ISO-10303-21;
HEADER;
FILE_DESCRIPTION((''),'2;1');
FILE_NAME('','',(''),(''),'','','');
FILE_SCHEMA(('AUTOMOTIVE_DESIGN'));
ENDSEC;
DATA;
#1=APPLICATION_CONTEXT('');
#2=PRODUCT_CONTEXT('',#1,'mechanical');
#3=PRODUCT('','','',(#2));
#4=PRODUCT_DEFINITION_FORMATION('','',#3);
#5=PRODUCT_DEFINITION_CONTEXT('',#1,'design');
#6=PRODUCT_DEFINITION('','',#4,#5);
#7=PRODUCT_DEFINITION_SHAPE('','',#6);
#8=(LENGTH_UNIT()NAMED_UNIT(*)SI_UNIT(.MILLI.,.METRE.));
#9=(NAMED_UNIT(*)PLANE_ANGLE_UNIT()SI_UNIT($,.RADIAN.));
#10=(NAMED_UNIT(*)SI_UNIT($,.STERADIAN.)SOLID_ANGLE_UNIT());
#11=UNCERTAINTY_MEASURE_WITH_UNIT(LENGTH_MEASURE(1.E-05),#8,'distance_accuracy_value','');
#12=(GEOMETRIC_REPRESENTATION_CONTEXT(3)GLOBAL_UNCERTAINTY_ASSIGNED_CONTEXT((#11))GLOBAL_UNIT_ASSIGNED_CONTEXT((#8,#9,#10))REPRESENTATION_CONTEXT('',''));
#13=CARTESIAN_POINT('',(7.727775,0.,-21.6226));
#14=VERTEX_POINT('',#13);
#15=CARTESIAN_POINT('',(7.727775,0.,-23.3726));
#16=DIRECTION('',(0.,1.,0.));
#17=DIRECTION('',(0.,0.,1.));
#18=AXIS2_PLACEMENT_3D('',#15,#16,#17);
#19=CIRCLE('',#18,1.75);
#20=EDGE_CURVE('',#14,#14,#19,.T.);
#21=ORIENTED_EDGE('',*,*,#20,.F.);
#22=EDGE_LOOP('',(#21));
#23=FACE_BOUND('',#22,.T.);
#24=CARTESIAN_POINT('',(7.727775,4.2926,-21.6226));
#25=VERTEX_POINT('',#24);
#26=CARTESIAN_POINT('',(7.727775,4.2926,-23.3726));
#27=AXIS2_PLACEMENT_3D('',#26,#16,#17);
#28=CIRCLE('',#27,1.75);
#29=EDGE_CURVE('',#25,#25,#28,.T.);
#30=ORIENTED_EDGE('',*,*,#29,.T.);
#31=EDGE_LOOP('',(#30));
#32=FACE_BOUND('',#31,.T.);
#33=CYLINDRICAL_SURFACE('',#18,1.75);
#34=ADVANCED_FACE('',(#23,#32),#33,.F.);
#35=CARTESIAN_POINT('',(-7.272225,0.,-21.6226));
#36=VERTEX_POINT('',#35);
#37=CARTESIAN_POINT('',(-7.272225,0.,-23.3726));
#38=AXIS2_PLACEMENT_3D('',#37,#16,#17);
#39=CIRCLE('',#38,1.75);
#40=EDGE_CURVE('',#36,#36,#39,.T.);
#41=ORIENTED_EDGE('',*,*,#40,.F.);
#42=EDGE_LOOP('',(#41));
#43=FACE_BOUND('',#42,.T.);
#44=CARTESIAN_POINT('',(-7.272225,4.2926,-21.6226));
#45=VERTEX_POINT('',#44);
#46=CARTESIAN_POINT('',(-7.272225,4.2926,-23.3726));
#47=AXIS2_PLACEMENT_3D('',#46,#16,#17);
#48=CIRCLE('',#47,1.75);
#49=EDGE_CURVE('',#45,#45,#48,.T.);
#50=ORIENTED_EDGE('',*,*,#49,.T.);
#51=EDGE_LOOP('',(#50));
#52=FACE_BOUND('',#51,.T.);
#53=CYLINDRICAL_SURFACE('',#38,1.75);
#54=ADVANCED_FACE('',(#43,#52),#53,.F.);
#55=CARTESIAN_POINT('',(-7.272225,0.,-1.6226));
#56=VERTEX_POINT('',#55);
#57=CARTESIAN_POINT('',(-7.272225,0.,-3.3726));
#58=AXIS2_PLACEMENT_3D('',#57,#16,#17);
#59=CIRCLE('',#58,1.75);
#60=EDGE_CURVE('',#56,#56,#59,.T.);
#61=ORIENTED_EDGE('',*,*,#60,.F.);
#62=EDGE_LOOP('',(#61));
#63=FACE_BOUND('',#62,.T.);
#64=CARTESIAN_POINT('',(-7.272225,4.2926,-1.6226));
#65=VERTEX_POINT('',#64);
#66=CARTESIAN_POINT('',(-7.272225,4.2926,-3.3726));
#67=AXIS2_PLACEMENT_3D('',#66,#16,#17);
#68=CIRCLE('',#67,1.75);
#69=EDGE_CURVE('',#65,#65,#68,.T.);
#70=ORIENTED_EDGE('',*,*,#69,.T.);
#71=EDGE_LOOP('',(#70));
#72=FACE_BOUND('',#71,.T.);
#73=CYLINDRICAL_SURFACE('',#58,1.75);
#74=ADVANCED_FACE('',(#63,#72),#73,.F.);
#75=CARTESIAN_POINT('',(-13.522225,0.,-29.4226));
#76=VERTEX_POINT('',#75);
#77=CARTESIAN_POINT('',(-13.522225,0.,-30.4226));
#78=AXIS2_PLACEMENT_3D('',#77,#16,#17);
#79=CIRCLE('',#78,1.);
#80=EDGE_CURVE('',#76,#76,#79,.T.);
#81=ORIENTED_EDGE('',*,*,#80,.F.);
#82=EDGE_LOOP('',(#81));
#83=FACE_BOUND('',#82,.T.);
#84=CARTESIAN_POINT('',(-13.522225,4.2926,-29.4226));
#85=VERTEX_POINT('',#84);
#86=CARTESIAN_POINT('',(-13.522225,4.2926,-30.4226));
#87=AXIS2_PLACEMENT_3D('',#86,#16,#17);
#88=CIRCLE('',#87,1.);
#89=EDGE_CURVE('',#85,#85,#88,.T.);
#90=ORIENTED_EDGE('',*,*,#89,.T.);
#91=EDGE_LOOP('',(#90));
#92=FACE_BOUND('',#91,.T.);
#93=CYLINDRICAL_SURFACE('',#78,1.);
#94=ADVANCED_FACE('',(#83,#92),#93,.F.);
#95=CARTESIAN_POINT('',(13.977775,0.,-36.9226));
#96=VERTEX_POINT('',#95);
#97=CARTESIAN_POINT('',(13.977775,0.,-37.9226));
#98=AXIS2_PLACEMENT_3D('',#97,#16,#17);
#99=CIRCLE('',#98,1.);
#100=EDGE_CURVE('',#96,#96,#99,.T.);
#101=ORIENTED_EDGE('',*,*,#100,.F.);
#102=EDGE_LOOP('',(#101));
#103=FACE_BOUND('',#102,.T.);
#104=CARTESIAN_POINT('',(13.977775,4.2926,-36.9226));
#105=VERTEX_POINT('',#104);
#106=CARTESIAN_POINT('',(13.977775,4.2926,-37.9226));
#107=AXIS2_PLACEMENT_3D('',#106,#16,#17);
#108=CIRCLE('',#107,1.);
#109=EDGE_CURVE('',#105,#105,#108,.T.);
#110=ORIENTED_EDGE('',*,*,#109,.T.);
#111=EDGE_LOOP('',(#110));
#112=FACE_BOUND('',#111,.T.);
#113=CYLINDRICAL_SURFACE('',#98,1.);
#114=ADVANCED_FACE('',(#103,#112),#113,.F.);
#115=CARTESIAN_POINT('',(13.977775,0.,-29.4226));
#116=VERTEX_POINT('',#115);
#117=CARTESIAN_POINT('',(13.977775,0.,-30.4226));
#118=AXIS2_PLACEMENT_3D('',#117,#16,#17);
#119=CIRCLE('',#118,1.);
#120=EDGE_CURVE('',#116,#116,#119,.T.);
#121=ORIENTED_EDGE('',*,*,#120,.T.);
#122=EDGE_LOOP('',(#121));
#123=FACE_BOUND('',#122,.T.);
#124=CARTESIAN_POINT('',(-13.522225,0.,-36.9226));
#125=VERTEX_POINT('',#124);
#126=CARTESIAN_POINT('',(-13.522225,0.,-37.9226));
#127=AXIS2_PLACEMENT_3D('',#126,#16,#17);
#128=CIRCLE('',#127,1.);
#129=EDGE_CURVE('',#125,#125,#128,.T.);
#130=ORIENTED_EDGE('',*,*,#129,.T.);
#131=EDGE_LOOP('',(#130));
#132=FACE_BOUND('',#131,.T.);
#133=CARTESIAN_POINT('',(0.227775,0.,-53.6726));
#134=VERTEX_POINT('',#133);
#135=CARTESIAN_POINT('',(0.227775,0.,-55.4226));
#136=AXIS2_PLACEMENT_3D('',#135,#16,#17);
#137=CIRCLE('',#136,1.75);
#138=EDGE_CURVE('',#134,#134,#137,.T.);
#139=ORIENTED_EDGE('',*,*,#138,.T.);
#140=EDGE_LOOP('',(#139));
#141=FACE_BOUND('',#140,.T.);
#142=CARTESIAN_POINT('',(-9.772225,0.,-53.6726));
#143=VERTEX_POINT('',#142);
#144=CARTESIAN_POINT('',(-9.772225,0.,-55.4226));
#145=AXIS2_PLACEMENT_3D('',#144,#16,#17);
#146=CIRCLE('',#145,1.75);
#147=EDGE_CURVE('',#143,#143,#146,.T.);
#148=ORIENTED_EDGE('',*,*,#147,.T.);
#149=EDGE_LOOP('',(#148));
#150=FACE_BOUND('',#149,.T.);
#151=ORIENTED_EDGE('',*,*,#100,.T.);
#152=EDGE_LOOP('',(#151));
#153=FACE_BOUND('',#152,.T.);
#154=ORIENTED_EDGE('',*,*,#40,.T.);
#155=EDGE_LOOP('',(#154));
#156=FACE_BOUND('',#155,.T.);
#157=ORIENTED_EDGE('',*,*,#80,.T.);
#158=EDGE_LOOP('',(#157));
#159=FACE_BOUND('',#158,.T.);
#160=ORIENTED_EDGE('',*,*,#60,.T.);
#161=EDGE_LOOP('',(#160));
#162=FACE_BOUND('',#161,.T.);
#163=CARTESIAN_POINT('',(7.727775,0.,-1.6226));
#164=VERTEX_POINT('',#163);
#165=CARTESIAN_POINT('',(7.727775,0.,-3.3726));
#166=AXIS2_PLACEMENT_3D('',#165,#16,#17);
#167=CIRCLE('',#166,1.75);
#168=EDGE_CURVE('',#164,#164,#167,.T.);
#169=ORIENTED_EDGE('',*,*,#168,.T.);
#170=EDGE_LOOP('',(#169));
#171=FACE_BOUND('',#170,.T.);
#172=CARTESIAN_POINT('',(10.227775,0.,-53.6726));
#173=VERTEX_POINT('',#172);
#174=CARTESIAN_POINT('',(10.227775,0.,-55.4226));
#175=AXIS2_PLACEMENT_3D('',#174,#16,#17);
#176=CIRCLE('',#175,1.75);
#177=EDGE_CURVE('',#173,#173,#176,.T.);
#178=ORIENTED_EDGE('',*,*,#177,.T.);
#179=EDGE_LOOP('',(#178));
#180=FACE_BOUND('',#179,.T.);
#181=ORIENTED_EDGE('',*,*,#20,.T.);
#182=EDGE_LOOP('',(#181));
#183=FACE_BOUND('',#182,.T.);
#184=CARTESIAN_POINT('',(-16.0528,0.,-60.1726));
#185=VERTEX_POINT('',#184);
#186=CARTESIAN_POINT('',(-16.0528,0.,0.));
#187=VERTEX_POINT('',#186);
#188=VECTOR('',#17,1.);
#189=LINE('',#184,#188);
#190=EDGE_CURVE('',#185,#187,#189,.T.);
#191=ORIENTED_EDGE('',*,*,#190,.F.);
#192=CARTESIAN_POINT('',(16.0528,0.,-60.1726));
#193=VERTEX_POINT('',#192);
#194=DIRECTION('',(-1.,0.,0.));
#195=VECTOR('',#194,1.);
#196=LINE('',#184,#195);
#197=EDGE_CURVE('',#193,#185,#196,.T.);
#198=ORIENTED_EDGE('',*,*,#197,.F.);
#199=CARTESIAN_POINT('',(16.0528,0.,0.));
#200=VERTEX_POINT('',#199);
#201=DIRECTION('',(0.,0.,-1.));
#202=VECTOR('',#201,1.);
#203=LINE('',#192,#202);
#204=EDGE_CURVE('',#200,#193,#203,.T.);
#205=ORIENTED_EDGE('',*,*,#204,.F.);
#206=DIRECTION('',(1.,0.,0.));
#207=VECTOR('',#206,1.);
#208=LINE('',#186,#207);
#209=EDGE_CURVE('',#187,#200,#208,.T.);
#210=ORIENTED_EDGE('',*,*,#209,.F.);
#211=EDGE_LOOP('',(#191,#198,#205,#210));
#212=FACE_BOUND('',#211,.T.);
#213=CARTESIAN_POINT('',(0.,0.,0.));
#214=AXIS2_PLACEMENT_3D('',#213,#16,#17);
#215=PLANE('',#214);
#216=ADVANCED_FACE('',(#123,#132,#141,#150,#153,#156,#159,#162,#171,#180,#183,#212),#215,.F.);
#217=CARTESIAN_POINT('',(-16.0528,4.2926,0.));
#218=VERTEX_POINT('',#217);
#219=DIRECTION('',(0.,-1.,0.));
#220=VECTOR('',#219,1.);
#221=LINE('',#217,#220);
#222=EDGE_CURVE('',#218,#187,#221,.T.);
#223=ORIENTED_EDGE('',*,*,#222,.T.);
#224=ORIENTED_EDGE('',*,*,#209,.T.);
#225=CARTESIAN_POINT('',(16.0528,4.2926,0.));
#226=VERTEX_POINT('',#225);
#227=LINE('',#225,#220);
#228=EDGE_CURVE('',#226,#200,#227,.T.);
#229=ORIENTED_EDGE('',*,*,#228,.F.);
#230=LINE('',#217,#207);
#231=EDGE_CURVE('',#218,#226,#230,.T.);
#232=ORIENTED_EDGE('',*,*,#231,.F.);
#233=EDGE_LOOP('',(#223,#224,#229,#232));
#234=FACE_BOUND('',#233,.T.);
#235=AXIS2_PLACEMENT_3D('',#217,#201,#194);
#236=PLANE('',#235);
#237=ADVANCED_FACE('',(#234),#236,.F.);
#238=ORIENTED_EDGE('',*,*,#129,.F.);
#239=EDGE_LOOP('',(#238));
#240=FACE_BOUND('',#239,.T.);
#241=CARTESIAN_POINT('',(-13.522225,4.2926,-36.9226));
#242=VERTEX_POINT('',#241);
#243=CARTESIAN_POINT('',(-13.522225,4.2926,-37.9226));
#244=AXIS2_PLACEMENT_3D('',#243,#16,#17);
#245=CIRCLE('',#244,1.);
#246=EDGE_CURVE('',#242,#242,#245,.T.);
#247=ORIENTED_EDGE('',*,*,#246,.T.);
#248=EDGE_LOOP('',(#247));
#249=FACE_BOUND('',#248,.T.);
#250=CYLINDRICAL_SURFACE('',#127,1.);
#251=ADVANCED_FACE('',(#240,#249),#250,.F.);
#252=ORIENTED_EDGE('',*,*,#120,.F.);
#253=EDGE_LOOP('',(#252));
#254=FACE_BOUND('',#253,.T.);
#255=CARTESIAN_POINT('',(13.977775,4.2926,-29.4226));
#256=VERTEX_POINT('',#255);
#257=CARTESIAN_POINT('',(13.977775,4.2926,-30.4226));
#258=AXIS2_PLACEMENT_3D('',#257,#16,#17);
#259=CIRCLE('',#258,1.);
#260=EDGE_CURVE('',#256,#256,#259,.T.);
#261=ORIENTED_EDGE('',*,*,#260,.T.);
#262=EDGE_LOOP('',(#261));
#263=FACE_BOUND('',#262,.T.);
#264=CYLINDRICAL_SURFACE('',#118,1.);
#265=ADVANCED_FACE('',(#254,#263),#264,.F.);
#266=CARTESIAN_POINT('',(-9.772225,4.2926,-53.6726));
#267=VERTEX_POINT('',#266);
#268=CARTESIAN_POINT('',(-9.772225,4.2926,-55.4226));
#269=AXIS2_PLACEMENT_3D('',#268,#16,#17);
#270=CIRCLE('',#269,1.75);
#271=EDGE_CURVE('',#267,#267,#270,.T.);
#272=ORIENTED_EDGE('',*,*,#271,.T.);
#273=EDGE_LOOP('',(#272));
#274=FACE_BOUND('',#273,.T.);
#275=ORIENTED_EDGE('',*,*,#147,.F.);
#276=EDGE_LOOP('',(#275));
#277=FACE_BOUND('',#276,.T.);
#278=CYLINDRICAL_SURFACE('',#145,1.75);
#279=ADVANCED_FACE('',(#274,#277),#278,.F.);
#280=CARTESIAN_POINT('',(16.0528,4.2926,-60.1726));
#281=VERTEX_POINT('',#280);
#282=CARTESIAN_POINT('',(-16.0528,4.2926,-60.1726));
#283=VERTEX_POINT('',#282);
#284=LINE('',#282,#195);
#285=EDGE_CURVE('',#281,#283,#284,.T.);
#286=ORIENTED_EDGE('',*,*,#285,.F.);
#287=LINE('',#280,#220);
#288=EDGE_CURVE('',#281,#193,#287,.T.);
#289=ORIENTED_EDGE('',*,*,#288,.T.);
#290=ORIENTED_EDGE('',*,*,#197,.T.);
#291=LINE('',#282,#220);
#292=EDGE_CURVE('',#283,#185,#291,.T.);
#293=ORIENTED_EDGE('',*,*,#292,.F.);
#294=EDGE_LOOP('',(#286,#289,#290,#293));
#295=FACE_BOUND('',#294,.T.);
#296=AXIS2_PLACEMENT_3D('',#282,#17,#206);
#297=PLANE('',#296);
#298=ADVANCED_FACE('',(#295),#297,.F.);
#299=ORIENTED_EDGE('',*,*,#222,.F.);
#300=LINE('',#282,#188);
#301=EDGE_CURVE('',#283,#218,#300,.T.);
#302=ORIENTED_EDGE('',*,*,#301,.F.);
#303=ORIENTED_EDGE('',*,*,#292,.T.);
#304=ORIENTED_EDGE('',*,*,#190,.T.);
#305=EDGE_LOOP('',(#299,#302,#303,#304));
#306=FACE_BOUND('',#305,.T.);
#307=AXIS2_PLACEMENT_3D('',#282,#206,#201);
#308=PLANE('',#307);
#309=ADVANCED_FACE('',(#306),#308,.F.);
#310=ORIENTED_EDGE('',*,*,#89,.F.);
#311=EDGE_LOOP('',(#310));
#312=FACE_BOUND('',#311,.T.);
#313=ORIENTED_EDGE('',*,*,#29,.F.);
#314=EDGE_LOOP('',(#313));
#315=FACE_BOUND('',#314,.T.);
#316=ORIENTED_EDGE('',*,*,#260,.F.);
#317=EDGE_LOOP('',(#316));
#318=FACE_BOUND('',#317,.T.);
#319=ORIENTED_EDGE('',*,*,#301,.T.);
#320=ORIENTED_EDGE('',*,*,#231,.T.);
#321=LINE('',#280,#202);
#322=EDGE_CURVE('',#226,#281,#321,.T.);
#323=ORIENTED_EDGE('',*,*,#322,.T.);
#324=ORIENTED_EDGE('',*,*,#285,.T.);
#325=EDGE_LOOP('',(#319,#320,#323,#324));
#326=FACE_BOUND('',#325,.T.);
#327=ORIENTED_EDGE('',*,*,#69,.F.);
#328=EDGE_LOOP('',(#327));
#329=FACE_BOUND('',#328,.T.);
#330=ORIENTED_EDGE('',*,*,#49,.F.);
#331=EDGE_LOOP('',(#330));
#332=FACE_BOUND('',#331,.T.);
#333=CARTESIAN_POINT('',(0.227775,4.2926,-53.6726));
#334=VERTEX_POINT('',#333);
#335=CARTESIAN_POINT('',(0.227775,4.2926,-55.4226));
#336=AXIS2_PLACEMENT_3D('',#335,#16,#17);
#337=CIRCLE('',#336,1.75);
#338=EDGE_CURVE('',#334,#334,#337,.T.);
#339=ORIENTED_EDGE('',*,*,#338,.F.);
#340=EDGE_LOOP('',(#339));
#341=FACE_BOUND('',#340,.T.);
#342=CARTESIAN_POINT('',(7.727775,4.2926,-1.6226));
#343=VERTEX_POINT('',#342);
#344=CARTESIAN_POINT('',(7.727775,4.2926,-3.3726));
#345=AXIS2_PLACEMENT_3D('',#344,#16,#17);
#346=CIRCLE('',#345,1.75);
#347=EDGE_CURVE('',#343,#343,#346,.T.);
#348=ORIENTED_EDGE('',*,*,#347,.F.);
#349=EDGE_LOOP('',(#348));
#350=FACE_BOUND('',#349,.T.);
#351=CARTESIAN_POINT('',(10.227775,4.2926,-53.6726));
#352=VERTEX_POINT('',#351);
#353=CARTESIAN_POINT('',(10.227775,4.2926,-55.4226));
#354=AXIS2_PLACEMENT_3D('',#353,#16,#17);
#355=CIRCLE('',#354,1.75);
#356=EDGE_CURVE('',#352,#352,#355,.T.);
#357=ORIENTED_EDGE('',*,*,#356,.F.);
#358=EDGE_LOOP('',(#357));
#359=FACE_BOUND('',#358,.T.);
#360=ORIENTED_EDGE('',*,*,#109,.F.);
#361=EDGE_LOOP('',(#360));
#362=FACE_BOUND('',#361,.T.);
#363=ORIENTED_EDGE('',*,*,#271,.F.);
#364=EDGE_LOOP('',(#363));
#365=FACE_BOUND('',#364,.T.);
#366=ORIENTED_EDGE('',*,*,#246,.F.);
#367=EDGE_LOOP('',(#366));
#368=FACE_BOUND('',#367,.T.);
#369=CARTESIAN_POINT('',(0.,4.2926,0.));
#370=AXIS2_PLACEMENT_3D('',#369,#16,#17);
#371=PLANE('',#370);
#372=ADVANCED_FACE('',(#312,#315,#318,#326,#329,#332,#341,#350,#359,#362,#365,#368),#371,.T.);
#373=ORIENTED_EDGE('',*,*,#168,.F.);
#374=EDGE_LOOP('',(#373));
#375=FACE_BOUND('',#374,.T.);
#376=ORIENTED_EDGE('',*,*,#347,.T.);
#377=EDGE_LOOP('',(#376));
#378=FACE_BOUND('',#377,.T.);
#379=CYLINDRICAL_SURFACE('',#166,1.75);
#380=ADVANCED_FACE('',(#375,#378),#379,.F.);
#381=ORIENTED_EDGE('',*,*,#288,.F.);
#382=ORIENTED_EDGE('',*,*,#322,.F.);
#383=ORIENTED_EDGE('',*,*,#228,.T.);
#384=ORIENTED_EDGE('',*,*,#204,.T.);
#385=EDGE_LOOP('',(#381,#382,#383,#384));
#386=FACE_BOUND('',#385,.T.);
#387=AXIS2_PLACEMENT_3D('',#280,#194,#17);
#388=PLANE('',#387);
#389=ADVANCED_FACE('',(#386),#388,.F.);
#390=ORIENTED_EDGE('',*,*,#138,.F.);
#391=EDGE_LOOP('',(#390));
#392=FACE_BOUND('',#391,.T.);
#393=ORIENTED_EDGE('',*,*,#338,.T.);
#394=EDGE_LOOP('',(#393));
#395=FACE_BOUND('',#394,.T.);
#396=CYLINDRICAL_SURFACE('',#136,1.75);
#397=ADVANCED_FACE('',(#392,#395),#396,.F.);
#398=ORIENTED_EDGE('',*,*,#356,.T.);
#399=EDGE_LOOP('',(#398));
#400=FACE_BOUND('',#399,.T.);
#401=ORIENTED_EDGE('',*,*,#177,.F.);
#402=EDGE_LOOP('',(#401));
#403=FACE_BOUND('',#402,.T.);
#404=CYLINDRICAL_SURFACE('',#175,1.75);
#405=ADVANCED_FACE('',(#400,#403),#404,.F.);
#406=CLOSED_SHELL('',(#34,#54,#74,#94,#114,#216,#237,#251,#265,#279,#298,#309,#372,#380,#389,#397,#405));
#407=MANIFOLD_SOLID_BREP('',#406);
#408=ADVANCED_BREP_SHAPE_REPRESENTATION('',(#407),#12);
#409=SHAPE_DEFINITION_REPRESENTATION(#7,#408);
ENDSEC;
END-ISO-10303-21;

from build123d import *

# Parameters (mm, degrees)
SKETCH1_W           = 32.1056
SKETCH1_H           = 60.1726
BOSS_EXTRUDE1_DEPTH = 4.2926
SKETCH2_R           = 1.75
SKETCH2_R_2         = 1
CUT_EXTRUDE1_DEPTH  = 5.2926


with BuildPart() as part:
    # Sketch1 → Boss-Extrude1 (new body)
    with BuildSketch(Plane(origin=(0, 0, 0), x_dir=(1, 0, 0), z_dir=(0, 1, 0))):
        with Locations((0, 30.0863)):
            Rectangle(SKETCH1_W, SKETCH1_H)
    extrude(amount=BOSS_EXTRUDE1_DEPTH)

    # Sketch2 → Cut-Extrude1 (cut, through all)
    with BuildSketch(Plane(origin=(0, 4.2926, 0), x_dir=(1, 0, 0), z_dir=(0, 1, 0))):
        with Locations((-9.772224543, 55.4226)):
            Circle(SKETCH2_R)
        with Locations((0.227775457, 55.4226)):
            Circle(SKETCH2_R)
        with Locations((10.227775457, 55.4226)):
            Circle(SKETCH2_R)
        with Locations((-7.272224543, 3.3726)):
            Circle(SKETCH2_R)
        with Locations((-7.272224543, 23.3726)):
            Circle(SKETCH2_R)
        with Locations((7.727775457, 23.3726)):
            Circle(SKETCH2_R)
        with Locations((7.727775457, 3.3726)):
            Circle(SKETCH2_R)
        with Locations((13.977775457, 30.4226)):
            Circle(SKETCH2_R_2)
        with Locations((13.977775457, 37.9226)):
            Circle(SKETCH2_R_2)
        with Locations((-13.522224543, 37.9226)):
            Circle(SKETCH2_R_2)
        with Locations((-13.522224543, 30.4226)):
            Circle(SKETCH2_R_2)
    extrude(amount=-CUT_EXTRUDE1_DEPTH, mode=Mode.SUBTRACT)


solid = part.part
